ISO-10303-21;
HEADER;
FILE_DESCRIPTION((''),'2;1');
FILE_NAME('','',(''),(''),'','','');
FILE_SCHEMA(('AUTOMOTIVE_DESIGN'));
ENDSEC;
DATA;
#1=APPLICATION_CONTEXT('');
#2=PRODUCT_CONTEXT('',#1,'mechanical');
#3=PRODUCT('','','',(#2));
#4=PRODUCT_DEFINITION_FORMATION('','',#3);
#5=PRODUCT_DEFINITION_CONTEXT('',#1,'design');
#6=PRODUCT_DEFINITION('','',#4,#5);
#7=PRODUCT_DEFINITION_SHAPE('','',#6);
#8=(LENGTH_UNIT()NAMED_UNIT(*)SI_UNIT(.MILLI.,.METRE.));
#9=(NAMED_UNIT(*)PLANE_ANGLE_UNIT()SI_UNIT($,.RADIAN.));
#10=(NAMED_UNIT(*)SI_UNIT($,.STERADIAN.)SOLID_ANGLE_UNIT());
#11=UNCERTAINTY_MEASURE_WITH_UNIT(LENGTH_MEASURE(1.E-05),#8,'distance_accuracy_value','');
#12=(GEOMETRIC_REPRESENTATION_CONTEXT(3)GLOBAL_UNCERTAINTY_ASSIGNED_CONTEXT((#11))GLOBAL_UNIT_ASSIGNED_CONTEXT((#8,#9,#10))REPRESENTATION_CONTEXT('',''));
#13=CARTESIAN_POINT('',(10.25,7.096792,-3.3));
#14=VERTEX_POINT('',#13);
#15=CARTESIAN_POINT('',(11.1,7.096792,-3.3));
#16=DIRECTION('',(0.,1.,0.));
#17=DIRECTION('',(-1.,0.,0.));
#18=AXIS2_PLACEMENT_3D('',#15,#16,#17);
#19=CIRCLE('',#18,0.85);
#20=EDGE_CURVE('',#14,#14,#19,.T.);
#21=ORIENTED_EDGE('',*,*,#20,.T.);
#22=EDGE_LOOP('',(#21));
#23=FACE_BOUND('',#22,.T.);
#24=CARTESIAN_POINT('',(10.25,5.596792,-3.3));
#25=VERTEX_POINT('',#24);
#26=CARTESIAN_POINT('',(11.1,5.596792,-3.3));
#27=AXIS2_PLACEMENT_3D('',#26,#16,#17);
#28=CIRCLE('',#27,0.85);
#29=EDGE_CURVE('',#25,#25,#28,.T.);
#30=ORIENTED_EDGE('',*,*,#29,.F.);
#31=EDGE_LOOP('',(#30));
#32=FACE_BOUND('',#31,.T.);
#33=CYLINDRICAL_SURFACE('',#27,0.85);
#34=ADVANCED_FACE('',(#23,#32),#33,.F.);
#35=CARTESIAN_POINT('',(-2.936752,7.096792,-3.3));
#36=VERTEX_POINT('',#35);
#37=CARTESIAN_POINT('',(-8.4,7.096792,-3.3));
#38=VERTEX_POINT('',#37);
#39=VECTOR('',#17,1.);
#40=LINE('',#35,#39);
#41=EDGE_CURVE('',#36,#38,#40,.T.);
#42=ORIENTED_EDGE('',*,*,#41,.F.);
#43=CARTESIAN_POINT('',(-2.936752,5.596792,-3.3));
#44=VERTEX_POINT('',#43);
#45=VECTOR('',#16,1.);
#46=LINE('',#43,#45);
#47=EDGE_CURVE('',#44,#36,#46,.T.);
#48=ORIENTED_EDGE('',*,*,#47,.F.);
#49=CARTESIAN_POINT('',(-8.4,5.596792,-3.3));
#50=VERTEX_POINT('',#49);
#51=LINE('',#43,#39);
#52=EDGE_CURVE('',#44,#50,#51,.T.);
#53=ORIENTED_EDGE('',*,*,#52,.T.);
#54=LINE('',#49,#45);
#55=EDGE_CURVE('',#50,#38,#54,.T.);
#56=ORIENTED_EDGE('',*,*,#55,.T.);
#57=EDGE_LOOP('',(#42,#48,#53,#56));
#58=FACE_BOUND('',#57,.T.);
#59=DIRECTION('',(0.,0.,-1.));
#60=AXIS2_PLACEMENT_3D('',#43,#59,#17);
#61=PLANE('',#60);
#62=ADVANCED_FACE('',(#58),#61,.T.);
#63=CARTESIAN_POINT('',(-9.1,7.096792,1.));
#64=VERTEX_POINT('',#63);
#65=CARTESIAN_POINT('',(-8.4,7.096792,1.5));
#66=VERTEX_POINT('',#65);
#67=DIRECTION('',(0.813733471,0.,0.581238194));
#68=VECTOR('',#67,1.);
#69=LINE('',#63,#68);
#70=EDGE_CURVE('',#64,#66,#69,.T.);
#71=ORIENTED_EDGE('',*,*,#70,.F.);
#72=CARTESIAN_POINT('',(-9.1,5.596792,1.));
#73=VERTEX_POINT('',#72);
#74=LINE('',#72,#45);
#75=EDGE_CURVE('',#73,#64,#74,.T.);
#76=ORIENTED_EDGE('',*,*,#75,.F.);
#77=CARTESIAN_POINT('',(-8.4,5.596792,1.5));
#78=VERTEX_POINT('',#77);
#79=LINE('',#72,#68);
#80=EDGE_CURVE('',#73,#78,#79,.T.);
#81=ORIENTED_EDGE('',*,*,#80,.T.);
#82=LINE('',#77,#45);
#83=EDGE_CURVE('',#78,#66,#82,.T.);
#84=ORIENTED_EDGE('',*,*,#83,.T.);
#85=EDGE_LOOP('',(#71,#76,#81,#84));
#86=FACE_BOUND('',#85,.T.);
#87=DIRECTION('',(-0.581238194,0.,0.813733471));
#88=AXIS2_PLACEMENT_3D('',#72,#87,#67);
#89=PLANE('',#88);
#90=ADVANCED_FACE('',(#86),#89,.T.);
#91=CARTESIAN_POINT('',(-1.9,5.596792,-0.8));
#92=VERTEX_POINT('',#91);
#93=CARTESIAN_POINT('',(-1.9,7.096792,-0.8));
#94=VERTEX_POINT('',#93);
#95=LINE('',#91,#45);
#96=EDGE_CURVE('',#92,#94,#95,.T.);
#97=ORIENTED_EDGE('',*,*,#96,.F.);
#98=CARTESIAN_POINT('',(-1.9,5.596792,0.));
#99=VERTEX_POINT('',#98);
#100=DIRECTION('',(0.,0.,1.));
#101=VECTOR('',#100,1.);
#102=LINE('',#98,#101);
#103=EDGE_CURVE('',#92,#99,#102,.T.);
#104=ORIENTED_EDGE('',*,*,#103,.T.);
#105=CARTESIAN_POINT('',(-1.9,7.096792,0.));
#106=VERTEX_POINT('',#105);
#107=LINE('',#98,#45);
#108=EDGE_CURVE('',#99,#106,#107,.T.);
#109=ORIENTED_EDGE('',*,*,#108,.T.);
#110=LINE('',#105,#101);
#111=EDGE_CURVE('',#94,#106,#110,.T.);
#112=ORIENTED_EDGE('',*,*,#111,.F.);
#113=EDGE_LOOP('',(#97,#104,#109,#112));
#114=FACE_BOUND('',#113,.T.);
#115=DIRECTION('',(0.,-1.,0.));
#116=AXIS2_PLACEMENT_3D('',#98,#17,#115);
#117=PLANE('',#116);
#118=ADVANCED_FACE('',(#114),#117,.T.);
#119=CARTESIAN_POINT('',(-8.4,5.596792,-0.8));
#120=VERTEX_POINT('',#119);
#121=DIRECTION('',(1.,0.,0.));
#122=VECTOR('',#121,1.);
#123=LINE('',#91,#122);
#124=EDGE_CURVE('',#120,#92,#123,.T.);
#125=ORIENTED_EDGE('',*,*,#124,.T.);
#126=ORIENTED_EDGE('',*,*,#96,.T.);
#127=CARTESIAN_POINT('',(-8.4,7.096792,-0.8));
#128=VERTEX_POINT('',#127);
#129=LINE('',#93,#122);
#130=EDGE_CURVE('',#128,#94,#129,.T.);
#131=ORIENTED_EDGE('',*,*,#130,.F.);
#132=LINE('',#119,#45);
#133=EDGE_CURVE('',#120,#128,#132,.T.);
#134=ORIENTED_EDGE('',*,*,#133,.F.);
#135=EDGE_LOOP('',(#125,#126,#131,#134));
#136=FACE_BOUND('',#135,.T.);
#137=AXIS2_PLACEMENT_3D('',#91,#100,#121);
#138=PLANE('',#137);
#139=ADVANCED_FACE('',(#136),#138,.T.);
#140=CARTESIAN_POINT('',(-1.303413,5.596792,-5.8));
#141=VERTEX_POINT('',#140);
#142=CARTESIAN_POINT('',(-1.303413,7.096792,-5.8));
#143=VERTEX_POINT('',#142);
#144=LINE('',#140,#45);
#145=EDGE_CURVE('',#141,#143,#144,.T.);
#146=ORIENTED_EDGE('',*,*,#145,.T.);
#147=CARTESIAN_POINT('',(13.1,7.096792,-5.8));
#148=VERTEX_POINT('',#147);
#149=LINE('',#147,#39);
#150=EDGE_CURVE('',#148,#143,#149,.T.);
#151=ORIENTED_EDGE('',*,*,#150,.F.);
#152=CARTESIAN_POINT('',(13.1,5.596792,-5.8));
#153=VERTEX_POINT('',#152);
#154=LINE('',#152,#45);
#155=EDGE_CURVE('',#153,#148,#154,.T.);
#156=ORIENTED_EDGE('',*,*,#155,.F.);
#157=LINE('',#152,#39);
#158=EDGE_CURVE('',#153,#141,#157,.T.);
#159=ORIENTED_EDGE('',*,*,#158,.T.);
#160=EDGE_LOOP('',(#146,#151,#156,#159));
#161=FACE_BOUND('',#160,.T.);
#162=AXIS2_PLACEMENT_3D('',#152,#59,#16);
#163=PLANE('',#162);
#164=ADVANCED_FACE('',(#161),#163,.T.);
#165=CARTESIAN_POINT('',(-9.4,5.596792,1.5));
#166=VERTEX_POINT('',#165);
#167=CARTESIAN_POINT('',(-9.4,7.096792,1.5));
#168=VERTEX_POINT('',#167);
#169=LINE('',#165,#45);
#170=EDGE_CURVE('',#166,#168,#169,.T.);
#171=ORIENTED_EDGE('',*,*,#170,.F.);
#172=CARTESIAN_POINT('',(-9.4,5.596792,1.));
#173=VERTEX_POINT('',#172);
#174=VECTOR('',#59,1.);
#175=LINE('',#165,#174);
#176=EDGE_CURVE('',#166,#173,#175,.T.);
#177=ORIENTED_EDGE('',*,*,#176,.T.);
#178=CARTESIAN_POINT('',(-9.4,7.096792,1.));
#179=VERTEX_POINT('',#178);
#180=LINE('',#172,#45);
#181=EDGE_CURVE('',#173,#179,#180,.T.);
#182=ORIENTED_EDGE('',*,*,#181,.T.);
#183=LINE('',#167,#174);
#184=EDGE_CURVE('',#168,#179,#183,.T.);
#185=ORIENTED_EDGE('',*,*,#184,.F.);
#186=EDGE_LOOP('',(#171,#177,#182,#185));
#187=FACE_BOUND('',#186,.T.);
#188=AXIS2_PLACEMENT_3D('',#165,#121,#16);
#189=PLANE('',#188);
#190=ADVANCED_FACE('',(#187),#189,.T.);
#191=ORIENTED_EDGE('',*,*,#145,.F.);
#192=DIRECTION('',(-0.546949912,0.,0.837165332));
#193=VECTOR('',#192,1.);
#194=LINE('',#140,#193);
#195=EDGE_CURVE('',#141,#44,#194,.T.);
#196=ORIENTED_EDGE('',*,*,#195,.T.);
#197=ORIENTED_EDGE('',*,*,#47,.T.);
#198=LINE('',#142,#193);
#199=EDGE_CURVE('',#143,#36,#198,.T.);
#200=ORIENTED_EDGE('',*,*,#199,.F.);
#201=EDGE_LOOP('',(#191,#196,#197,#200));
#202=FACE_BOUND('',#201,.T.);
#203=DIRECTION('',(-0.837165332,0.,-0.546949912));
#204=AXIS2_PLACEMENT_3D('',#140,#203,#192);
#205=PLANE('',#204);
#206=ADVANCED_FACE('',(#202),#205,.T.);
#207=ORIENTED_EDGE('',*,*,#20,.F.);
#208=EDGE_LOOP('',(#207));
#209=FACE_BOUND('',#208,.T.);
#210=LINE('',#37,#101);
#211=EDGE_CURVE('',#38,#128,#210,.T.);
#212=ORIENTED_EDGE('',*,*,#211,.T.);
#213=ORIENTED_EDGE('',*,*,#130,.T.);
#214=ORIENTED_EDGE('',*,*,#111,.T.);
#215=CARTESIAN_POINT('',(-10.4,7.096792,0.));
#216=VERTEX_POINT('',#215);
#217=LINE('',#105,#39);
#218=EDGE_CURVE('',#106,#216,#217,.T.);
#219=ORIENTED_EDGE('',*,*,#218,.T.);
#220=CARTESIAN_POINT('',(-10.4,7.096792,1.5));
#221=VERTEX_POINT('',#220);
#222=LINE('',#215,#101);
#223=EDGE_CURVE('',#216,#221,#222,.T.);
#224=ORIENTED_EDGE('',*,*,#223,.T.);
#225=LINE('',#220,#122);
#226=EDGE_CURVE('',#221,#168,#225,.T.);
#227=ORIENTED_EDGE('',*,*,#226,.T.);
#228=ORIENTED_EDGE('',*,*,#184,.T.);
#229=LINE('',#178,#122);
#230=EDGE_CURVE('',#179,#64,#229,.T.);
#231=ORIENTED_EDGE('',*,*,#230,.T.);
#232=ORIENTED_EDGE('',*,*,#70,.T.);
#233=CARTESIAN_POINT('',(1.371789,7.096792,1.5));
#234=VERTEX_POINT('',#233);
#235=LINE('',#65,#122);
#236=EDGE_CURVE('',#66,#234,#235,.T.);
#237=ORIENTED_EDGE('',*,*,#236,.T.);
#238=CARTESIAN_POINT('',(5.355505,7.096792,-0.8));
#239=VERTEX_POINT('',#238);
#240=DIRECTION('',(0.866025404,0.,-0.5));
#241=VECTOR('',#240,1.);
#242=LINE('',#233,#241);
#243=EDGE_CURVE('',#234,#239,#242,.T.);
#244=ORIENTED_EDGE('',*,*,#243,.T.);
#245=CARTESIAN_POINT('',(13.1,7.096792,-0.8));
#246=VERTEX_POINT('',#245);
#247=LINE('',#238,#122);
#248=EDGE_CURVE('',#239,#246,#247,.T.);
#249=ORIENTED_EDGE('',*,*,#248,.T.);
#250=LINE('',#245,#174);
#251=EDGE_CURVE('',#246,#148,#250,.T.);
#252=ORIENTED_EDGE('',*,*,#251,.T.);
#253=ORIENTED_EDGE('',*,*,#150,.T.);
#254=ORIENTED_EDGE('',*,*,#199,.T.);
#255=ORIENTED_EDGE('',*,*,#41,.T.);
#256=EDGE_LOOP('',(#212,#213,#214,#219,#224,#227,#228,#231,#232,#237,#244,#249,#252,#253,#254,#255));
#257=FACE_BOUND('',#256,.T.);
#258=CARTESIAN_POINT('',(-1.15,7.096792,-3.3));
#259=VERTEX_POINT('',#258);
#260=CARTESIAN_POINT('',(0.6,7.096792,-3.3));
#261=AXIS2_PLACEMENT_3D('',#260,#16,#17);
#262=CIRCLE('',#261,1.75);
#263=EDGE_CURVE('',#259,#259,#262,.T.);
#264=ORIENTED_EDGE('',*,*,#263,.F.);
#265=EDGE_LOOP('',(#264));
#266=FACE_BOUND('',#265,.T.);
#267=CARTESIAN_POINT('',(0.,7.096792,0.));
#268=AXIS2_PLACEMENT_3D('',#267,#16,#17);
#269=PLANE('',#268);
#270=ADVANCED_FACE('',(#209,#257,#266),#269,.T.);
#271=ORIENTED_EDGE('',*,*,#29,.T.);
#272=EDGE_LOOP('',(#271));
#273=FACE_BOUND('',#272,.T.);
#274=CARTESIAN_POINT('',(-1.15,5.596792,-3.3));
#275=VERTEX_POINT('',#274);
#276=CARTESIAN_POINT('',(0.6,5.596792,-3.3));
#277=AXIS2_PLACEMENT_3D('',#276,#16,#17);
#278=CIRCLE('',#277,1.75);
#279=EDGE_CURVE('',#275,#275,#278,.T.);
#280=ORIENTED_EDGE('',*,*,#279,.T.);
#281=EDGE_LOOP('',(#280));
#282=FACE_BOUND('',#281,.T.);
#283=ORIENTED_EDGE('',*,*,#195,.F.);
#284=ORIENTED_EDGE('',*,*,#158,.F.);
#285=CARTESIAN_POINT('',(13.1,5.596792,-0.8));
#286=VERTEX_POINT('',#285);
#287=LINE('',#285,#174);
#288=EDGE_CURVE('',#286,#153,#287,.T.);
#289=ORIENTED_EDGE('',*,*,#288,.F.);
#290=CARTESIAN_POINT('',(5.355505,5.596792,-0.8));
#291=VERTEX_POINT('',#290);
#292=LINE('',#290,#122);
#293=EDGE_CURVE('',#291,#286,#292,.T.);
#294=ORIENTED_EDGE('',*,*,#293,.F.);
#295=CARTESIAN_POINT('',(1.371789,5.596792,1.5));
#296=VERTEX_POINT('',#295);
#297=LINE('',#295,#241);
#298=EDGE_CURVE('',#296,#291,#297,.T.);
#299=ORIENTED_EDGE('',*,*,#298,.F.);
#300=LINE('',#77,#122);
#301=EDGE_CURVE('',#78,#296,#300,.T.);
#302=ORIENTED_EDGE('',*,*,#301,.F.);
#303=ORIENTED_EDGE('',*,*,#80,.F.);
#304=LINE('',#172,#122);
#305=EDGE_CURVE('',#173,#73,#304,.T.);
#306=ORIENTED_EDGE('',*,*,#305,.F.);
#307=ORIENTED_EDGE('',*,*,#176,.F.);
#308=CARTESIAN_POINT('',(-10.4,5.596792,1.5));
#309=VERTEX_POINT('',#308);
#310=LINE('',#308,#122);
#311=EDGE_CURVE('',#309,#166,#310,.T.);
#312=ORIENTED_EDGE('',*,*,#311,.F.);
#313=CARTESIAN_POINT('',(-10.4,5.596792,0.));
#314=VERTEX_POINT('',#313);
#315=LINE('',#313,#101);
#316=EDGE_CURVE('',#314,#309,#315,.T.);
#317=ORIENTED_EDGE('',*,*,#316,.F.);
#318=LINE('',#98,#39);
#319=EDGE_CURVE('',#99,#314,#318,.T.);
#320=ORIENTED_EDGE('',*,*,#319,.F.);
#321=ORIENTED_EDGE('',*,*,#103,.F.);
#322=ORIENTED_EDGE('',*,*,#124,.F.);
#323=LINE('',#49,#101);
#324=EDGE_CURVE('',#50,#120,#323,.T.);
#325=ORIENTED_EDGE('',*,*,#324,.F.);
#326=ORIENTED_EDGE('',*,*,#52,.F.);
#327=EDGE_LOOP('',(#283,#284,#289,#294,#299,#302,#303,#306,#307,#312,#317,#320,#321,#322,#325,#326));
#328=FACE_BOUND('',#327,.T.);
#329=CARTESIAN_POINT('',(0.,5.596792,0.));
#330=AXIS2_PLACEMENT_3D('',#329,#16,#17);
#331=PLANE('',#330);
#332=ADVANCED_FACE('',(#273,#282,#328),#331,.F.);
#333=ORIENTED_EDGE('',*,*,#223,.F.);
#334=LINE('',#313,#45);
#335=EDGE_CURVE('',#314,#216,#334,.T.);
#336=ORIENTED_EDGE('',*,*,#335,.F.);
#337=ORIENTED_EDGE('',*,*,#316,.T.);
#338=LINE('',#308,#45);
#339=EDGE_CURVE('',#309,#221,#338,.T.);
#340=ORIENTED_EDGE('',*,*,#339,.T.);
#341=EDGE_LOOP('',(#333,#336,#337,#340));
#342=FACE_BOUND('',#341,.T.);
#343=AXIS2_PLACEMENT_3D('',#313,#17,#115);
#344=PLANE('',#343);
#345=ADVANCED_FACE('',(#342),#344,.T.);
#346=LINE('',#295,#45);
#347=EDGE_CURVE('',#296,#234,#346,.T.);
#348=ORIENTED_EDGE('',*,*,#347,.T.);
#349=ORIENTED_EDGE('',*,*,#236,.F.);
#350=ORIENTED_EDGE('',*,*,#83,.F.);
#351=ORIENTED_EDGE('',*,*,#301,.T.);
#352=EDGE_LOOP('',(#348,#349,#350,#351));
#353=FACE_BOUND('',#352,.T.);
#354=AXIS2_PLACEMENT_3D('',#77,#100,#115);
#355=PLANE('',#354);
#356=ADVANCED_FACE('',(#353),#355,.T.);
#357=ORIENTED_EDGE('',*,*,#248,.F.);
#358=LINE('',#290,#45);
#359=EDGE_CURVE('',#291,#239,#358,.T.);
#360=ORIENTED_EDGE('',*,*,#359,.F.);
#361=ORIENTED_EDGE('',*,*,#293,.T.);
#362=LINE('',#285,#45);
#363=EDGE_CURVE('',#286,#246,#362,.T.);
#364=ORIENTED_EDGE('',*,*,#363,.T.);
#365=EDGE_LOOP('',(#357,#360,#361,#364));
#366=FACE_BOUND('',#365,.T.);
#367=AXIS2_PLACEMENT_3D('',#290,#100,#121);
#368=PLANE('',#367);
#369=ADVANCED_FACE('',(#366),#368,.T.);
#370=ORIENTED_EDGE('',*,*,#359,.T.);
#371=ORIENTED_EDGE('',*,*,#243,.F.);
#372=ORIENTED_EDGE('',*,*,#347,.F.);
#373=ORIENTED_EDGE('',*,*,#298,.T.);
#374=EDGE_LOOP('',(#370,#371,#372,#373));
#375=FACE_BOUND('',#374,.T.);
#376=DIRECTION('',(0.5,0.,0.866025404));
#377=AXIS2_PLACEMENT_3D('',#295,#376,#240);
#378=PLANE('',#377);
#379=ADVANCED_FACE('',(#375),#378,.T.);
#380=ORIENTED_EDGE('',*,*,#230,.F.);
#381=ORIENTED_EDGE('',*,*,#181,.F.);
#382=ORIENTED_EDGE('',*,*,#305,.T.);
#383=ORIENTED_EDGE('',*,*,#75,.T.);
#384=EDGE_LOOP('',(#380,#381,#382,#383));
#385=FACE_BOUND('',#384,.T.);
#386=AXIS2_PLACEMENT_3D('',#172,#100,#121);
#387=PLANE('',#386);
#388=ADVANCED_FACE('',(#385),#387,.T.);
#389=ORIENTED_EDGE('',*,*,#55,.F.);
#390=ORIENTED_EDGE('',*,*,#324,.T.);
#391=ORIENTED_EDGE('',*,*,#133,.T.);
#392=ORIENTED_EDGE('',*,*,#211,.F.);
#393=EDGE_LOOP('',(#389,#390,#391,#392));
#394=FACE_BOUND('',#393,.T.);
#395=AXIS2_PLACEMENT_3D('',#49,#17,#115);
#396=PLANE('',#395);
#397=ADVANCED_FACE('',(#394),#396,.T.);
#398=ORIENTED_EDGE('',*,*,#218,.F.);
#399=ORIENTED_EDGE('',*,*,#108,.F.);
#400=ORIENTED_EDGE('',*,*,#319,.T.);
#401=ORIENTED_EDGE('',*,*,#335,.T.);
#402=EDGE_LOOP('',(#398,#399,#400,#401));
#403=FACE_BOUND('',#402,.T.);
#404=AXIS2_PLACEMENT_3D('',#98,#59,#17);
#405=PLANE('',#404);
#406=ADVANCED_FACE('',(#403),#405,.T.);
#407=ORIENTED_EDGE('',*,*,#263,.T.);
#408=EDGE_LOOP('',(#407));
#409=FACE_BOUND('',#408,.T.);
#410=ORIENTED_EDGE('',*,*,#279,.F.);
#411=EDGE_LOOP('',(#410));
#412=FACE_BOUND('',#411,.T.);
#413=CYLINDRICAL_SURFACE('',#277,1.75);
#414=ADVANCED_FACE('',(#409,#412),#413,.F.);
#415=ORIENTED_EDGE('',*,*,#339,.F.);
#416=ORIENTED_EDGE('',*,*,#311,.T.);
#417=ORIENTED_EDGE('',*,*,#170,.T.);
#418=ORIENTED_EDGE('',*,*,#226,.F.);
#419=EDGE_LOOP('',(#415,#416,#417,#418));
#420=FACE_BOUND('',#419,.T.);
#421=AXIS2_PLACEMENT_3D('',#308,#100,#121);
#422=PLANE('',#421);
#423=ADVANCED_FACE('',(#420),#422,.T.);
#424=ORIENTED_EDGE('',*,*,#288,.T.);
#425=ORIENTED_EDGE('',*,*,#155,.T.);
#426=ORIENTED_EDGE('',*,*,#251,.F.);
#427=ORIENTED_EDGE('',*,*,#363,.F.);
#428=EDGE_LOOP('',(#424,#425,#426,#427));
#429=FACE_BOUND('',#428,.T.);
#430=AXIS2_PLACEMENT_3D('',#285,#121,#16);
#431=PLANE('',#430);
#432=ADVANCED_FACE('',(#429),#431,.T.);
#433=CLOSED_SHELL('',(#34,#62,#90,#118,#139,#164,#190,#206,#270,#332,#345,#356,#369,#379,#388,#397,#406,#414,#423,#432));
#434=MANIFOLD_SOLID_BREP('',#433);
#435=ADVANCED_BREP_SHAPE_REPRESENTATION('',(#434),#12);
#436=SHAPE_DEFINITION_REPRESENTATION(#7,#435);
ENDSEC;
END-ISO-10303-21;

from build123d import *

# Parameters (mm, degrees)
SKETCH_2_R      = 0.85
SKETCH_2_R_2    = 1.75
EXTRUDE_1_DEPTH = 1.5


with BuildPart() as part:
    # 草图2 → 凸台-拉伸1 (new body)
    with BuildSketch(Plane(origin=(0, 7.096792112, 0), x_dir=(1, 0, 0), z_dir=(0, 1, 0))):
        Polygon((-1.9, 0), (-10.4, 0), (-10.4, -1.5), (-9.4, -1.5), (-9.4, -1), (-9.1, -1), (-8.4, -1.5), (1.371788561, -1.5), (5.355505418, 0.8), (13.1, 0.8), (13.1, 5.8), (-1.303412873, 5.8), (-2.936751866, 3.3), (-8.4, 3.3), (-8.4, 0.8), (-1.9, 0.8), align=None)
        with Locations(Location((11.1, 3.3, 0), (0, 0, 180))):
            Circle(SKETCH_2_R, mode=Mode.SUBTRACT)
        with Locations(Location((0.6, 3.3, 0), (0, 0, 180))):
            Circle(SKETCH_2_R_2, mode=Mode.SUBTRACT)
    extrude(amount=-EXTRUDE_1_DEPTH)


solid = part.part
